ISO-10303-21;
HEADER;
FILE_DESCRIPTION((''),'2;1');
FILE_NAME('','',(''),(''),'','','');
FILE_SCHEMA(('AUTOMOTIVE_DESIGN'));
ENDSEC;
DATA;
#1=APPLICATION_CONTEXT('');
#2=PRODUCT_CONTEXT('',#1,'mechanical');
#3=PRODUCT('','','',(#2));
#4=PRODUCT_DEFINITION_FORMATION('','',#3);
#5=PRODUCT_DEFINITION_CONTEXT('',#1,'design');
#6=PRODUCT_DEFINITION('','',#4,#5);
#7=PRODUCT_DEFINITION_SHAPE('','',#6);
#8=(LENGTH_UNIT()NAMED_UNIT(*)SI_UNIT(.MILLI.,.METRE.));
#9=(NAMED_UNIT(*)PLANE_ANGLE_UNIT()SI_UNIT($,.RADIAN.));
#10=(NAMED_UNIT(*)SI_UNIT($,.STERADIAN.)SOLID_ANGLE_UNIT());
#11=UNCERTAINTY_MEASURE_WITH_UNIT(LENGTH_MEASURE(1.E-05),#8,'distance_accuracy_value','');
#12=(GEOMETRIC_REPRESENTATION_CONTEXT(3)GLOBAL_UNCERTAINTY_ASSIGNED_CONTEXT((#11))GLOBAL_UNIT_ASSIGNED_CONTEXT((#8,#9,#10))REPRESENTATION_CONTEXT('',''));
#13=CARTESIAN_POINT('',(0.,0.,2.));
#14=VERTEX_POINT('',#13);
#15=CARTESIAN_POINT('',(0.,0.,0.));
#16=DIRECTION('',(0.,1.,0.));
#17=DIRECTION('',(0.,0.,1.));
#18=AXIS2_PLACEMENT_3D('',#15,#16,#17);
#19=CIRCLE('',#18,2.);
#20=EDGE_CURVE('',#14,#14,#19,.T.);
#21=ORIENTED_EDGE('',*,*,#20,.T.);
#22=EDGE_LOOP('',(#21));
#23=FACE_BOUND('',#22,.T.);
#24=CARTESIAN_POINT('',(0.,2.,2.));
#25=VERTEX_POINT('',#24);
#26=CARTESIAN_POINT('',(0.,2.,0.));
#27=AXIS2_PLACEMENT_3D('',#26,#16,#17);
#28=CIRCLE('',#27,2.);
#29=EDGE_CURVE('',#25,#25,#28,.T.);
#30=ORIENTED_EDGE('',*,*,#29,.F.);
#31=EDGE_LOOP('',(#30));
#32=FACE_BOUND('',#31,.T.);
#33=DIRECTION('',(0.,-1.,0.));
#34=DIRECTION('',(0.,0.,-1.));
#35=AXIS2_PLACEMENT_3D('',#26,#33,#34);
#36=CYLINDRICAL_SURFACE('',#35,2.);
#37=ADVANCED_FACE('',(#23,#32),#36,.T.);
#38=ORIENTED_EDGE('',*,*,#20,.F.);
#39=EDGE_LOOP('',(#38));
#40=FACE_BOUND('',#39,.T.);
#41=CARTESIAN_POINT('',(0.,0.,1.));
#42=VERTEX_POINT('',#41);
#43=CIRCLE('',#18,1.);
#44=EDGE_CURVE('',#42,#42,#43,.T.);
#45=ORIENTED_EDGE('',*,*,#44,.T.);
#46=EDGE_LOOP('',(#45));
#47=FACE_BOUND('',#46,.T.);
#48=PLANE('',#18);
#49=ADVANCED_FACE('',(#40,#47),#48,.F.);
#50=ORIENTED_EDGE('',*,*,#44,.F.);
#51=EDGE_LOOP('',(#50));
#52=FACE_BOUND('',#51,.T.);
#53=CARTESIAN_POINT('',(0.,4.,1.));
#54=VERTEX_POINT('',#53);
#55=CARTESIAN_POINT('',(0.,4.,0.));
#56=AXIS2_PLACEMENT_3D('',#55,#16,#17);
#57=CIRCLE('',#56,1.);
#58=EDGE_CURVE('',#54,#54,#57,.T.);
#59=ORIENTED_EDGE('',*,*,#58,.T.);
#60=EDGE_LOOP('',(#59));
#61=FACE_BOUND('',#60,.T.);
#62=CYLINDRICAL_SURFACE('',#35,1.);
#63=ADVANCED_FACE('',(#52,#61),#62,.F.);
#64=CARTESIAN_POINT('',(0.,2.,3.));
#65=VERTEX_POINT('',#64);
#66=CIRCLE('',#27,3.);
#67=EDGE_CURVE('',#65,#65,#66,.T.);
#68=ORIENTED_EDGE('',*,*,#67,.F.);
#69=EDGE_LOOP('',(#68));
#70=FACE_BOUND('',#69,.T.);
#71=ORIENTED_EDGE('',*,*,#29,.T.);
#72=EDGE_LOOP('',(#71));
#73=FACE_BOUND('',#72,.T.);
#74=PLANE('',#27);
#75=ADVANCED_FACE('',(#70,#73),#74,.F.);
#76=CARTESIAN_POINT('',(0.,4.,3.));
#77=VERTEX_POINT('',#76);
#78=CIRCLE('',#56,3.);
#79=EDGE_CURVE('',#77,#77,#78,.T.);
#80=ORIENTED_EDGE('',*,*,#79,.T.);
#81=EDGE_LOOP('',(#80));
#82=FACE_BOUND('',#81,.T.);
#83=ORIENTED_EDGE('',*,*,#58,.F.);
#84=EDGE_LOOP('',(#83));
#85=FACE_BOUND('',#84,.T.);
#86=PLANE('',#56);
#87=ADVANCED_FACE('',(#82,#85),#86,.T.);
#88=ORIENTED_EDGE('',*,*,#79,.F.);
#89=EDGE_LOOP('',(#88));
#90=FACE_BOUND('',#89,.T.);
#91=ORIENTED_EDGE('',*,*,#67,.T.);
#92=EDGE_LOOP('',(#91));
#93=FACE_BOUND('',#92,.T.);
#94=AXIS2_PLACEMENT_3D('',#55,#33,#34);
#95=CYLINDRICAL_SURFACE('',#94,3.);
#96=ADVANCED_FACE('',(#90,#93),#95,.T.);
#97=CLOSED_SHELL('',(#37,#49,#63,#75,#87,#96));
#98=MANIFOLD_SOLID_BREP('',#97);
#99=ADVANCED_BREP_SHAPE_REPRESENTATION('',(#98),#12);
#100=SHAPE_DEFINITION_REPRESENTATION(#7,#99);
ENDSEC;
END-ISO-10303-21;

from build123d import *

# Parameters (mm, degrees)
SKETCH2_R           = 2
SKETCH2_R_2         = 1
BOSS_EXTRUDE1_DEPTH = 2
SKETCH3_R           = 3
SKETCH3_R_2         = 1
BOSS_EXTRUDE2_DEPTH = 2


with BuildPart() as part:
    # Sketch2 → Boss-Extrude1 (new body)
    with BuildSketch(Plane(origin=(0, 0, 0), x_dir=(1, 0, 0), z_dir=(0, 1, 0))):
        with Locations(Location((0, 0, 0), (0, 0, 270))):
            Circle(SKETCH2_R)
        with Locations(Location((0, 0, 0), (0, 0, 270))):
            Circle(SKETCH2_R_2, mode=Mode.SUBTRACT)
    extrude(amount=BOSS_EXTRUDE1_DEPTH)

    # Sketch3 → Boss-Extrude2 (add)
    with BuildSketch(Plane(origin=(0, 2, 0), x_dir=(1, 0, 0), z_dir=(0, 1, 0))):
        with Locations(Location((0, 0, 0), (0, 0, 270))):
            Circle(SKETCH3_R)
        with Locations(Location((0, 0, 0), (0, 0, 270))):
            Circle(SKETCH3_R_2, mode=Mode.SUBTRACT)
    extrude(amount=BOSS_EXTRUDE2_DEPTH)


solid = part.part
